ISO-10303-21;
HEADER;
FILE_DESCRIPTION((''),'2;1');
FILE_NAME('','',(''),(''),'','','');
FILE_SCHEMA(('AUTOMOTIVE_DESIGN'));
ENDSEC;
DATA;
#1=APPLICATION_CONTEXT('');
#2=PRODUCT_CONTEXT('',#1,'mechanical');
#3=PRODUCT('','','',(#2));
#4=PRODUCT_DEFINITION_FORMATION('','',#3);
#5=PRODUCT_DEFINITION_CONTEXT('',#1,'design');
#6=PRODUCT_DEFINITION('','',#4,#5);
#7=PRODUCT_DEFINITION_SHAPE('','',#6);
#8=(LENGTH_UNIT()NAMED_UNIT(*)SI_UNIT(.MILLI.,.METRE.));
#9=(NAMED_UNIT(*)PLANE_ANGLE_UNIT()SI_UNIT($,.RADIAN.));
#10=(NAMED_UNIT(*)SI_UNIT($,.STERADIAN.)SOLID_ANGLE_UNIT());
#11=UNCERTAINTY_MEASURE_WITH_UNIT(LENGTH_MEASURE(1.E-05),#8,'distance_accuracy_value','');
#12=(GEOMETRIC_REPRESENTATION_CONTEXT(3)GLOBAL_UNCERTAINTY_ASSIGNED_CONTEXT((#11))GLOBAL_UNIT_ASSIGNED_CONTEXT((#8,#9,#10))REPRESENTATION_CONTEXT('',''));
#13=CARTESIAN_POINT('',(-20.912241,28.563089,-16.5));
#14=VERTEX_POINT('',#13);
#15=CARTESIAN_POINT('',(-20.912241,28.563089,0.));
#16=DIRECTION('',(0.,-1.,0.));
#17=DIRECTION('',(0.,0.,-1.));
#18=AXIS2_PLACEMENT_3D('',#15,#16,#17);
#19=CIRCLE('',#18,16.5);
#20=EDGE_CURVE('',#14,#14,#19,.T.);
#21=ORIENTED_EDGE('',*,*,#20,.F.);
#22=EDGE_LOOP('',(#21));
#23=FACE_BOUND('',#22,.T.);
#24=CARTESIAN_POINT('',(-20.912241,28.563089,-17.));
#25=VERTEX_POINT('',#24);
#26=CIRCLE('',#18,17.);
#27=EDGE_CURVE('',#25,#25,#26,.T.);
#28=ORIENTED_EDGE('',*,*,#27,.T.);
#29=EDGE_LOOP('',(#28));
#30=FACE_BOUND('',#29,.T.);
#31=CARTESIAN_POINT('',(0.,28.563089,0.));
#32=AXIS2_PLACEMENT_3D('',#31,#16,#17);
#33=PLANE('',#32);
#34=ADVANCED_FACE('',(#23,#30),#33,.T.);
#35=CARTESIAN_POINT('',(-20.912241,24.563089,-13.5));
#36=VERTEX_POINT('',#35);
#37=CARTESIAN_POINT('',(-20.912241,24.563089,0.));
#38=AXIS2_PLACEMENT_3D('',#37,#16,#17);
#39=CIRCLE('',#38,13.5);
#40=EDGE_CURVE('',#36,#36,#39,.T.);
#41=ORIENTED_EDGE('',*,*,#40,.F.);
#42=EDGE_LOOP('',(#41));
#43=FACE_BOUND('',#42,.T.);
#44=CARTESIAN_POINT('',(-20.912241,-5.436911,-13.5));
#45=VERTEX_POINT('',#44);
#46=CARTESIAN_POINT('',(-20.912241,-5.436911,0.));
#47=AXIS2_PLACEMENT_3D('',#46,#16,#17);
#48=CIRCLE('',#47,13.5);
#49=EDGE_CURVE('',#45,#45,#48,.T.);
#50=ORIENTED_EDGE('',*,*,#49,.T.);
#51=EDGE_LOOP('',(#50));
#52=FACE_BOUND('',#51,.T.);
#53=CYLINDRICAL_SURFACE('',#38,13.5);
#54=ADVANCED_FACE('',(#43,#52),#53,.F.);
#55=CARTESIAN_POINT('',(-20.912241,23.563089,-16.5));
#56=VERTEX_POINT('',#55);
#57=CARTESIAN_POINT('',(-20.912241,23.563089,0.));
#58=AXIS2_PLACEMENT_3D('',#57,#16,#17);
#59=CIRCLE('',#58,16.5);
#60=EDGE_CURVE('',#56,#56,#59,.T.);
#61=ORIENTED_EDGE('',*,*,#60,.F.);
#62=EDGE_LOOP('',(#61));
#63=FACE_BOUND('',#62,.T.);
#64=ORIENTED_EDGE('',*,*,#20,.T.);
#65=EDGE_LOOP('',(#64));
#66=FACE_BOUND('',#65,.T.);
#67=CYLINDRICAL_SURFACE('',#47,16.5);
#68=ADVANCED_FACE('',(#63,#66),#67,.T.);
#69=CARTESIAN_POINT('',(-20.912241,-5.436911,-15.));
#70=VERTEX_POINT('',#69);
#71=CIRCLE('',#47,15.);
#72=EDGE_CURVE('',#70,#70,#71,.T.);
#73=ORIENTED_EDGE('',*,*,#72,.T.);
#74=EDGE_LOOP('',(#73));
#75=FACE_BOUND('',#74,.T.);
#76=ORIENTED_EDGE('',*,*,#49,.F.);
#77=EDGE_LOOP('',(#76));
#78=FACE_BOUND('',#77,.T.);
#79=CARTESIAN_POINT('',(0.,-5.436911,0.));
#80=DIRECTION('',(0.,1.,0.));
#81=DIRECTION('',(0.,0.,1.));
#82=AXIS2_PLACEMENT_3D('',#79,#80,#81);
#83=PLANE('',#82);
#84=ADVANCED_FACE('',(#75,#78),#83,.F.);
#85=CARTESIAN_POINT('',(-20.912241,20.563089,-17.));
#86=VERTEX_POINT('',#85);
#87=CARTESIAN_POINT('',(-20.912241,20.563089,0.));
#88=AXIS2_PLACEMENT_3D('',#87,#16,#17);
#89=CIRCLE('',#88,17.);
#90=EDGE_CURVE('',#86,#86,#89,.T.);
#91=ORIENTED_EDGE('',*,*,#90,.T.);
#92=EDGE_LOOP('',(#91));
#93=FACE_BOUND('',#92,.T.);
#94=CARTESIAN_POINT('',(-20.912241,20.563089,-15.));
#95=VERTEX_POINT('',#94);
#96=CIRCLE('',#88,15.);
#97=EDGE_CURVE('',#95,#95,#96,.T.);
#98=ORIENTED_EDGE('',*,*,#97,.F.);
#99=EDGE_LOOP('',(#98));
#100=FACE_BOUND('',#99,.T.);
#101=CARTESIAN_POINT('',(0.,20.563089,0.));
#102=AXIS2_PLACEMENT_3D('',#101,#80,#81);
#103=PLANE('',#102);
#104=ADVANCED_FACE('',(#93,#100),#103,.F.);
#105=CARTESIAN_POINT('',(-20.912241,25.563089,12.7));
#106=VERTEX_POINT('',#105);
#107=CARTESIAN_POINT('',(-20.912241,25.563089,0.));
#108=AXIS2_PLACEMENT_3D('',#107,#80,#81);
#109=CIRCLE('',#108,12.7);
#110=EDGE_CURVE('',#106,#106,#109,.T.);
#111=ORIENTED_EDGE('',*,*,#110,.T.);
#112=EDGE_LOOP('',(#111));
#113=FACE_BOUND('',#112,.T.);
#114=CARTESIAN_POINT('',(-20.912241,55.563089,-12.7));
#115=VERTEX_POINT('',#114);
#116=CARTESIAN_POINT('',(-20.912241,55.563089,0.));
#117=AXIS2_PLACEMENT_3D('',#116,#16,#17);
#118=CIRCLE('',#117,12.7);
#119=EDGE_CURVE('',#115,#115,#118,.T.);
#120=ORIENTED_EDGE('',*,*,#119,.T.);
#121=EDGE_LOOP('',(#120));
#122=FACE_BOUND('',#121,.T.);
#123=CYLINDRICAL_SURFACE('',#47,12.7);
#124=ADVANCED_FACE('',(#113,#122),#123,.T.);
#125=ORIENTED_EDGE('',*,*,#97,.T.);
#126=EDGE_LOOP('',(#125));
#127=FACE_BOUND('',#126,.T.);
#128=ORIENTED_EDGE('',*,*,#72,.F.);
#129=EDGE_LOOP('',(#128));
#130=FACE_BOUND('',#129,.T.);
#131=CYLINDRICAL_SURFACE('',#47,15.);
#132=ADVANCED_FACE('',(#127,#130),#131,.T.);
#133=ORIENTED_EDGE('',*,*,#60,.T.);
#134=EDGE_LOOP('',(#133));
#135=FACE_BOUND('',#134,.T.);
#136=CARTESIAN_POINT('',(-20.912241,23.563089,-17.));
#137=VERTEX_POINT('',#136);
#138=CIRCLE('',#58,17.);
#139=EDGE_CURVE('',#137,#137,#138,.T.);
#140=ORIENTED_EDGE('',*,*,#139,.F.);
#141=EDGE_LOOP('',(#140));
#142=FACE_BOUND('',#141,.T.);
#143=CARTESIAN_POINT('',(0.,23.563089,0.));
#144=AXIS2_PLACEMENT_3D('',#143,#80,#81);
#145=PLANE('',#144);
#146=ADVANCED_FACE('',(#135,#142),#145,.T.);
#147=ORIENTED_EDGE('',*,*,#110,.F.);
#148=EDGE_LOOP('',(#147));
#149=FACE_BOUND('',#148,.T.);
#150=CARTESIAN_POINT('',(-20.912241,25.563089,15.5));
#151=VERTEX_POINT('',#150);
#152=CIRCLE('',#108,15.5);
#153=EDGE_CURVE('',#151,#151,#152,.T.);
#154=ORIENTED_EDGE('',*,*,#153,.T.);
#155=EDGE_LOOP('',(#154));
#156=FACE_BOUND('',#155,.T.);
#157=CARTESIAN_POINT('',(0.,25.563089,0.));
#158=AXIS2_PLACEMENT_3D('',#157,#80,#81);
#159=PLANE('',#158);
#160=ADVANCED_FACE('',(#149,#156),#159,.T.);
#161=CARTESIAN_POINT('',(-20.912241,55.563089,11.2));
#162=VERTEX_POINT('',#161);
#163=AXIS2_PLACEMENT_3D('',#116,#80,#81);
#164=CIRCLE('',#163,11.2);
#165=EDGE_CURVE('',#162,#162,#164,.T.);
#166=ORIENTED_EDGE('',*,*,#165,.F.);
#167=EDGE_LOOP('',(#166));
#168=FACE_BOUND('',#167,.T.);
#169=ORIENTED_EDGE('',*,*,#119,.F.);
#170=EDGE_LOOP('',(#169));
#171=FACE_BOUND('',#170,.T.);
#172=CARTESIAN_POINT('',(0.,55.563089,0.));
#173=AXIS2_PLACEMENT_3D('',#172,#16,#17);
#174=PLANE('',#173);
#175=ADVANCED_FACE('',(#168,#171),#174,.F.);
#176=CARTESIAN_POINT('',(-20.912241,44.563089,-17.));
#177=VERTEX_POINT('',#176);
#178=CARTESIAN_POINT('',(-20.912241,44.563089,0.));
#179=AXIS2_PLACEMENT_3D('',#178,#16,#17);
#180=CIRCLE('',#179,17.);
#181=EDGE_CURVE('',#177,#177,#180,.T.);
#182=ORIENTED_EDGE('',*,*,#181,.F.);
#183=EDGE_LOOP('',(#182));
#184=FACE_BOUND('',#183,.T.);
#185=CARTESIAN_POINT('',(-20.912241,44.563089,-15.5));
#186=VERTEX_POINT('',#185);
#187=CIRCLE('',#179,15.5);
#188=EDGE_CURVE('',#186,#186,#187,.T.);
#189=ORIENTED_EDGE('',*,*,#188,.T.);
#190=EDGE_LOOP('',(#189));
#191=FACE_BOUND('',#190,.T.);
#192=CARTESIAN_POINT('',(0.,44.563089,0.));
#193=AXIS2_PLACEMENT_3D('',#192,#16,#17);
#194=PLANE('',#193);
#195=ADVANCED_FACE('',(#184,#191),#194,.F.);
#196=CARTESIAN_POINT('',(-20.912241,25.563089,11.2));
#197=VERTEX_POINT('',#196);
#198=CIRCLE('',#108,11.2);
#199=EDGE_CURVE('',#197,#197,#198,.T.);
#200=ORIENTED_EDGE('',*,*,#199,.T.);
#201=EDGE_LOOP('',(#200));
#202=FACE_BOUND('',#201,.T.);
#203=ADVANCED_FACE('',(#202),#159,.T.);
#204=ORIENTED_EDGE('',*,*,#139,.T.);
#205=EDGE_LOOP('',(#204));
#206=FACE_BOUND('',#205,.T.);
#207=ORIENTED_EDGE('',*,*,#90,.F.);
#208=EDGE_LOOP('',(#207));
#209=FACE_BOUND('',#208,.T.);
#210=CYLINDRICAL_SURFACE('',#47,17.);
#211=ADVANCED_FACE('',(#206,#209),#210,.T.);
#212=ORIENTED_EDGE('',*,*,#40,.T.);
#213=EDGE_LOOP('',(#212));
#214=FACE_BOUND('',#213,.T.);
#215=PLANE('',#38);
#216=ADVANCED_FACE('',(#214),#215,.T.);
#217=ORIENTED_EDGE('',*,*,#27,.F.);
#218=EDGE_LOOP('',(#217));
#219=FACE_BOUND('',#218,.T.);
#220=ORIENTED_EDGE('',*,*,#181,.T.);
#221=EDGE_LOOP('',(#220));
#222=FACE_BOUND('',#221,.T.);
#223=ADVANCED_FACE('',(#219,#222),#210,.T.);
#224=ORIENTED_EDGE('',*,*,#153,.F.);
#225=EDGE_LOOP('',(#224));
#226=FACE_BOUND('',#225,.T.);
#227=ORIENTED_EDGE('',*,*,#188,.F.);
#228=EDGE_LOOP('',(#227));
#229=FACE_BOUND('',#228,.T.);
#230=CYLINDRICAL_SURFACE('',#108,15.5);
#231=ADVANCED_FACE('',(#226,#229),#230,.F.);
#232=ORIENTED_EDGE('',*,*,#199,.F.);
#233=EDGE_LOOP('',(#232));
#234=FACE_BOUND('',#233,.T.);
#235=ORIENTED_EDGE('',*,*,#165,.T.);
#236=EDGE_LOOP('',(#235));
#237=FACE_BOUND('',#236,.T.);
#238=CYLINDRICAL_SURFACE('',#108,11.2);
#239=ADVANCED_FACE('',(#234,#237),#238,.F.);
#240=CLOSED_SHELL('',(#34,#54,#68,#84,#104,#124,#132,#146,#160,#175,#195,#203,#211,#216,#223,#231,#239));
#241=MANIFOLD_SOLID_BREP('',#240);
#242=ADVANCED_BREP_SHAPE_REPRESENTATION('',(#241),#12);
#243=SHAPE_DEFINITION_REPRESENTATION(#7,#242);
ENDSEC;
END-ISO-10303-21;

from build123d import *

# Parameters (mm, degrees)
KES_EKSTR_ZYON1_START = -30
IZIM2_R               = 15.5
IZIM2_R_2             = 12.7
IZIM2_R_3             = 11.2
KES_EKSTR_ZYON1_DEPTH = 30
IZIM3_R               = 13.5
KES_EKSTR_ZYON2_DEPTH = 30


with BuildPart() as part:
    # Çizim1 → Döndür1 (revolve)
    with BuildSketch(Plane.XY, mode=Mode.PRIVATE) as d_nd_r1_sk:
        Polygon((-20.912241055, -5.436911488), (-20.912241055, 55.563088512), (-33.612241055, 55.563088512), (-33.612241055, 44.563088512), (-37.912241055, 44.563088512), (-37.912241055, 28.563088512), (-37.412241055, 28.563088512), (-37.412241055, 23.563088512), (-37.912241055, 23.563088512), (-37.912241055, 20.563088512), (-35.912241055, 20.563088512), (-35.912241055, -5.436911488), align=None)
    revolve(d_nd_r1_sk.sketch.rotate(Axis((-20.912241055, -5.436911488, 0), (0, 1, 0)), 270), axis=Axis((-20.912241055, -5.436911488, 0), (0, 1, 0)))

    # Çizim2 → Kes-Ekstrüzyon1 (cut)
    # profile 1 of 2: a face of its own
    with BuildSketch(Plane(origin=(0, 55.563088512, 0), x_dir=(1, 0, 0), z_dir=(0, 1, 0)).offset(KES_EKSTR_ZYON1_START)):
        with Locations(Location((-20.912241055, 0, 0), (0, 0, 270))):
            Circle(IZIM2_R)
        with Locations(Location((-20.912241055, 0, 0), (0, 0, 90))):
            Circle(IZIM2_R_2, mode=Mode.SUBTRACT)
    # profile 2 of 2: a face of its own
    with BuildSketch(Plane(origin=(0, 55.563088512, 0), x_dir=(1, 0, 0), z_dir=(0, 1, 0)).offset(KES_EKSTR_ZYON1_START)):
        with Locations(Location((-20.912241055, 0, 0), (0, 0, 270))):
            Circle(IZIM2_R_3)
    extrude(amount=KES_EKSTR_ZYON1_DEPTH, mode=Mode.SUBTRACT)

    # Çizim3 → Kes-Ekstrüzyon2 (cut)
    with BuildSketch(Plane.XZ.offset(5.436911488)):
        with Locations(Location((-20.912241055, 0, 0), (0, 0, 270))):
            Circle(IZIM3_R)
    extrude(amount=-KES_EKSTR_ZYON2_DEPTH, mode=Mode.SUBTRACT)


solid = part.part
